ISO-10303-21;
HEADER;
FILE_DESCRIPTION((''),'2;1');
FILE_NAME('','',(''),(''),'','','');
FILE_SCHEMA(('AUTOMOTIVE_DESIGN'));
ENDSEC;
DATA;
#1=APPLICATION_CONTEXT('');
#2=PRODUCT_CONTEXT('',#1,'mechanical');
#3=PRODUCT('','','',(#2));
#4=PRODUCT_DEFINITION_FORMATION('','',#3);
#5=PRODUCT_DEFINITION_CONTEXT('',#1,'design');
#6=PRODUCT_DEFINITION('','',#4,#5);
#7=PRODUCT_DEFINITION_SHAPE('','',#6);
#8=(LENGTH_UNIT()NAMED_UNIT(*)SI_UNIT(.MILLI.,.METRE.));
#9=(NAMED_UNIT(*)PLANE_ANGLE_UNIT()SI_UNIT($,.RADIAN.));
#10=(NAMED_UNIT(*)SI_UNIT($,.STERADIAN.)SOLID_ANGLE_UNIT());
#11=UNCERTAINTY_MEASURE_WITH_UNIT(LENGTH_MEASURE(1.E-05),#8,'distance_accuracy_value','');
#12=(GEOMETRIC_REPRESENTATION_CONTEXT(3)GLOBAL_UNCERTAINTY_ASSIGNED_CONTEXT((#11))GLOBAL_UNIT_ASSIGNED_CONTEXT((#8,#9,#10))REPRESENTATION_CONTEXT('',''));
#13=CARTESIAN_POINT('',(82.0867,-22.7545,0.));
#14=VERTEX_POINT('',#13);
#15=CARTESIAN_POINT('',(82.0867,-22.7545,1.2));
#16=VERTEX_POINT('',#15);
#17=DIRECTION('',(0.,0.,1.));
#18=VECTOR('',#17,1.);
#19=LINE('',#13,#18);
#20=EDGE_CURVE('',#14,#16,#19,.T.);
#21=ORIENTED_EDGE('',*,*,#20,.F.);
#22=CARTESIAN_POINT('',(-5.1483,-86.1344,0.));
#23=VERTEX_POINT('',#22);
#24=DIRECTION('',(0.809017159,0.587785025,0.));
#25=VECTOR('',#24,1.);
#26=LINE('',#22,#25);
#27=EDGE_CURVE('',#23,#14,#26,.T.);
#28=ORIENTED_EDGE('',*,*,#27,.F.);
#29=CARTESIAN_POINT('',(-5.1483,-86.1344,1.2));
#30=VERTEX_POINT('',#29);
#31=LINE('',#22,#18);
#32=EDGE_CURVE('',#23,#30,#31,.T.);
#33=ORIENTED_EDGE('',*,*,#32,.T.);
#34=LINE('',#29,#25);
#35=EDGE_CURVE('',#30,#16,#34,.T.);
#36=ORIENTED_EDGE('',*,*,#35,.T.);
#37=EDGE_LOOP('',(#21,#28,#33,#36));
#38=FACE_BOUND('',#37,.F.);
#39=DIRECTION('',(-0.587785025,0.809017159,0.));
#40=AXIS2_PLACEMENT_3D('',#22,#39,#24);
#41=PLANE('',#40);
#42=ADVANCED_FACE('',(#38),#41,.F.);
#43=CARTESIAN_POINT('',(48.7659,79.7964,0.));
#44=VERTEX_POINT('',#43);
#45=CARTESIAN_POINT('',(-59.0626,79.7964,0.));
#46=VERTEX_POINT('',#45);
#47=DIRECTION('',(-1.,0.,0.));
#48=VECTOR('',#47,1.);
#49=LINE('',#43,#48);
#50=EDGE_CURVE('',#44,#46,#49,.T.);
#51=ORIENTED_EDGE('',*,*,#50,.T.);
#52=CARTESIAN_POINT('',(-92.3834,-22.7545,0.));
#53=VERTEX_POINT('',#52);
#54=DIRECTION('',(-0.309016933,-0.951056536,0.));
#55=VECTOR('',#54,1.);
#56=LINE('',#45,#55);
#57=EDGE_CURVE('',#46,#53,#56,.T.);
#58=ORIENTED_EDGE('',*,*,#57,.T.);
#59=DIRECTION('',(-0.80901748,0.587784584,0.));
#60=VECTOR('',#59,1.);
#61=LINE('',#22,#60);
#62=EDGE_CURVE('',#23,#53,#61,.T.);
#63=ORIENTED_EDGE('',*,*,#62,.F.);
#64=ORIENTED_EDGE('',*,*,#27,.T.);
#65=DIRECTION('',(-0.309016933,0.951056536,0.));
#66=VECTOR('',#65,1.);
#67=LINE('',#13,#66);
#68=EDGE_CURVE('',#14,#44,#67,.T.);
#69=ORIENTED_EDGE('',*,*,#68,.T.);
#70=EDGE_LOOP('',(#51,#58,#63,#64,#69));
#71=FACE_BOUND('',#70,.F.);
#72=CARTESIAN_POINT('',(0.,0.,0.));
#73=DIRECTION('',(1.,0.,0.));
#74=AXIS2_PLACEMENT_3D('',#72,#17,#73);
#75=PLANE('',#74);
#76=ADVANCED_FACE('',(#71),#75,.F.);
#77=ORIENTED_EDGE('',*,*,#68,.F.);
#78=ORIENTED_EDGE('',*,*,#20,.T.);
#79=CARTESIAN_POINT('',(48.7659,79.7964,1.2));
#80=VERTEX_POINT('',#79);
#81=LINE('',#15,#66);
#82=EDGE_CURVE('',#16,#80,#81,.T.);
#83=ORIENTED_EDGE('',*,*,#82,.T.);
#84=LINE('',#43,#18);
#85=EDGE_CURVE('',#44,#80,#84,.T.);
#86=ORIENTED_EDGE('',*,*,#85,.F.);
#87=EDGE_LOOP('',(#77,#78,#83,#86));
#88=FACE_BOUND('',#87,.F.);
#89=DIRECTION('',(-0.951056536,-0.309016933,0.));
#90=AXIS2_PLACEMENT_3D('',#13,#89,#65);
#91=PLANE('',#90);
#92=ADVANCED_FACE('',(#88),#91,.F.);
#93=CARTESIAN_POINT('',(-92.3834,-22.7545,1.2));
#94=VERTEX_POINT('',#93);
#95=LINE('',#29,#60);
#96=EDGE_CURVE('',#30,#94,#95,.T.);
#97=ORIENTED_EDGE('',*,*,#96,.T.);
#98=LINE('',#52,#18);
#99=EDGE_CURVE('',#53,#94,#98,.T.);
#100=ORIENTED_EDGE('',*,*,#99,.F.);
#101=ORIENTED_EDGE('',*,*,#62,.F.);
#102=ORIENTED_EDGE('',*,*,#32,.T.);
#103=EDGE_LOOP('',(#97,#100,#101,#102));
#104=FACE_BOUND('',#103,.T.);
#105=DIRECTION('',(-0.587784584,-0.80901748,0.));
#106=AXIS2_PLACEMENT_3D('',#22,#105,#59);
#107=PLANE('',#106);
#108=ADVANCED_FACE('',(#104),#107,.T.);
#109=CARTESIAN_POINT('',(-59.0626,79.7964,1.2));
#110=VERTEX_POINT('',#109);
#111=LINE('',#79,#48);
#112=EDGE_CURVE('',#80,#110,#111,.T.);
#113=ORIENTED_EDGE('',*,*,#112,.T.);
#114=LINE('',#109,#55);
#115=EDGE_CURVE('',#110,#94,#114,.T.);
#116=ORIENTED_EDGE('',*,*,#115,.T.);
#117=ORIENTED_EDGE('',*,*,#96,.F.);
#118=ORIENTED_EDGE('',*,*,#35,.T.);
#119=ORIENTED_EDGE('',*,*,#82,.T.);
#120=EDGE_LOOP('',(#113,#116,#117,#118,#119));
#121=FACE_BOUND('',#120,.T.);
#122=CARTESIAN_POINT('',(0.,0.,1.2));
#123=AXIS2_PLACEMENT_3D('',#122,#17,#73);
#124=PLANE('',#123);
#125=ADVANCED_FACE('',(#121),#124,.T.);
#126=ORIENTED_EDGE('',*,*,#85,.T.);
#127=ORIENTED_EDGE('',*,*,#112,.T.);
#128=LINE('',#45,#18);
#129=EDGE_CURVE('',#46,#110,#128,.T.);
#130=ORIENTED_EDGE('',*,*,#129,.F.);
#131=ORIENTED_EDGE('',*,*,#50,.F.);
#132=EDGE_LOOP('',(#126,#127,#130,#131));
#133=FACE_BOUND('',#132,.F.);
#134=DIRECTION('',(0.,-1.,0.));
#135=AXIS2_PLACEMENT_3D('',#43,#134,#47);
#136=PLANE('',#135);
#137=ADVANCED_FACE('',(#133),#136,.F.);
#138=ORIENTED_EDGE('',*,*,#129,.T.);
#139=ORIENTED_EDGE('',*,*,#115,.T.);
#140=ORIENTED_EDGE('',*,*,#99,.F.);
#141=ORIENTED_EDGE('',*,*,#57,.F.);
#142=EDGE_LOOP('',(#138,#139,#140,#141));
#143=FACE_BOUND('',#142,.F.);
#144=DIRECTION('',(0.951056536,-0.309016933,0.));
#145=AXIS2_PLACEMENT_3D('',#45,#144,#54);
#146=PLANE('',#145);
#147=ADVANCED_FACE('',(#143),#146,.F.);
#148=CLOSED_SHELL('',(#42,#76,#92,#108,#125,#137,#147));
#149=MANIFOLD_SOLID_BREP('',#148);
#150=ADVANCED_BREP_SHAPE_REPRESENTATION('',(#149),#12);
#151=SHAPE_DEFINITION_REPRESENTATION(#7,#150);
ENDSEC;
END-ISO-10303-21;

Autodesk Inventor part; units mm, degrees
ref_plane "YZ Plane" through (0, 0, 0) normal (1, 0, 0) x (0, 1, 0)
ref_plane "XZ Plane" through (0, 0, 0) normal (0, 1, 0) x (-1, 0, 0)
ref_plane "XY Plane" through (0, 0, 0) normal (0, 0, 1) x (1, 0, 0)
sketch "Boceto1" plane through (0, 0, 0) normal (0, 0, 1) x (1, 0, 0)
  line L0 (78.56, -21.6086) -> (46.5862, 76.7964) projected
  line L1 (82.0867, -22.7545) -> (78.56, -21.6086) projected
  line L2 (82.0867, -22.7545) -> (48.7659, 79.7964) projected
  line L3 (46.5862, 76.7964) -> (48.7659, 79.7964) projected
  line L4 (-5.1483, -82.4262) -> (78.56, -21.6086) projected
  line L5 (-5.1483, -86.1344) -> (-5.1483, -82.4262) projected
  line L6 (-5.1483, -86.1344) -> (82.0867, -22.7545) projected
  line L7 (78.56, -21.6086) -> (82.0867, -22.7545) projected
  line L8 (-88.8566, -21.6086) -> (-5.1483, -82.4262) projected
  line L9 (-88.8566, -21.6086) -> (-92.3834, -22.7545) projected
  line L10 (-5.1483, -86.1344) -> (-92.3834, -22.7545) projected
  line L11 (-5.1483, -86.1344) -> (-5.1483, -82.4262) projected
  line L12 (-56.8829, 76.7964) -> (-88.8566, -21.6086) projected
  line L13 (-59.0626, 79.7964) -> (-56.8829, 76.7964) projected
  line L14 (-59.0626, 79.7964) -> (-92.3834, -22.7545) projected
  line L15 (-88.8566, -21.6086) -> (-92.3834, -22.7545) projected
  line L16 (46.5862, 76.7964) -> (-56.8829, 76.7964) projected
  line L17 (48.7659, 79.7964) -> (46.5862, 76.7964) projected
  line L18 (48.7659, 79.7964) -> (-59.0626, 79.7964) projected
  line L19 (-56.8829, 76.7964) -> (-59.0626, 79.7964) projected
  circle A0 centre (-5.1483, 5.5899) radius 71.2065
  line L20 (-92.3834, -22.7545) -> (-59.0626, 79.7964)
  line L21 (-59.0626, 79.7964) -> (48.7659, 79.7964)
  line L22 (48.7659, 79.7964) -> (82.0867, -22.7545)
  line L23 (82.0867, -22.7545) -> (-5.1483, -86.1344)
  line L24 (-5.1483, -86.1344) -> (-92.3834, -22.7545)
  line L25 (-5.1483, -85.5164) -> (81.4989, -22.5635)
  line L26 (81.4989, -22.5635) -> (48.4026, 79.2964)
  line L27 (48.4026, 79.2964) -> (-58.6993, 79.2964)
  line L28 (-58.6993, 79.2964) -> (-91.7956, -22.5635)
  line L29 (-91.7956, -22.5635) -> (-5.1483, -85.5164)
  point P0 (0, 0)
  point P1 (-5.1483, 5.5899)
  dimension "d0" = 0.5
extrude "Extrusión1" add sketch "Boceto1" along normal blind 1.2
properties part number "Pentagono"
